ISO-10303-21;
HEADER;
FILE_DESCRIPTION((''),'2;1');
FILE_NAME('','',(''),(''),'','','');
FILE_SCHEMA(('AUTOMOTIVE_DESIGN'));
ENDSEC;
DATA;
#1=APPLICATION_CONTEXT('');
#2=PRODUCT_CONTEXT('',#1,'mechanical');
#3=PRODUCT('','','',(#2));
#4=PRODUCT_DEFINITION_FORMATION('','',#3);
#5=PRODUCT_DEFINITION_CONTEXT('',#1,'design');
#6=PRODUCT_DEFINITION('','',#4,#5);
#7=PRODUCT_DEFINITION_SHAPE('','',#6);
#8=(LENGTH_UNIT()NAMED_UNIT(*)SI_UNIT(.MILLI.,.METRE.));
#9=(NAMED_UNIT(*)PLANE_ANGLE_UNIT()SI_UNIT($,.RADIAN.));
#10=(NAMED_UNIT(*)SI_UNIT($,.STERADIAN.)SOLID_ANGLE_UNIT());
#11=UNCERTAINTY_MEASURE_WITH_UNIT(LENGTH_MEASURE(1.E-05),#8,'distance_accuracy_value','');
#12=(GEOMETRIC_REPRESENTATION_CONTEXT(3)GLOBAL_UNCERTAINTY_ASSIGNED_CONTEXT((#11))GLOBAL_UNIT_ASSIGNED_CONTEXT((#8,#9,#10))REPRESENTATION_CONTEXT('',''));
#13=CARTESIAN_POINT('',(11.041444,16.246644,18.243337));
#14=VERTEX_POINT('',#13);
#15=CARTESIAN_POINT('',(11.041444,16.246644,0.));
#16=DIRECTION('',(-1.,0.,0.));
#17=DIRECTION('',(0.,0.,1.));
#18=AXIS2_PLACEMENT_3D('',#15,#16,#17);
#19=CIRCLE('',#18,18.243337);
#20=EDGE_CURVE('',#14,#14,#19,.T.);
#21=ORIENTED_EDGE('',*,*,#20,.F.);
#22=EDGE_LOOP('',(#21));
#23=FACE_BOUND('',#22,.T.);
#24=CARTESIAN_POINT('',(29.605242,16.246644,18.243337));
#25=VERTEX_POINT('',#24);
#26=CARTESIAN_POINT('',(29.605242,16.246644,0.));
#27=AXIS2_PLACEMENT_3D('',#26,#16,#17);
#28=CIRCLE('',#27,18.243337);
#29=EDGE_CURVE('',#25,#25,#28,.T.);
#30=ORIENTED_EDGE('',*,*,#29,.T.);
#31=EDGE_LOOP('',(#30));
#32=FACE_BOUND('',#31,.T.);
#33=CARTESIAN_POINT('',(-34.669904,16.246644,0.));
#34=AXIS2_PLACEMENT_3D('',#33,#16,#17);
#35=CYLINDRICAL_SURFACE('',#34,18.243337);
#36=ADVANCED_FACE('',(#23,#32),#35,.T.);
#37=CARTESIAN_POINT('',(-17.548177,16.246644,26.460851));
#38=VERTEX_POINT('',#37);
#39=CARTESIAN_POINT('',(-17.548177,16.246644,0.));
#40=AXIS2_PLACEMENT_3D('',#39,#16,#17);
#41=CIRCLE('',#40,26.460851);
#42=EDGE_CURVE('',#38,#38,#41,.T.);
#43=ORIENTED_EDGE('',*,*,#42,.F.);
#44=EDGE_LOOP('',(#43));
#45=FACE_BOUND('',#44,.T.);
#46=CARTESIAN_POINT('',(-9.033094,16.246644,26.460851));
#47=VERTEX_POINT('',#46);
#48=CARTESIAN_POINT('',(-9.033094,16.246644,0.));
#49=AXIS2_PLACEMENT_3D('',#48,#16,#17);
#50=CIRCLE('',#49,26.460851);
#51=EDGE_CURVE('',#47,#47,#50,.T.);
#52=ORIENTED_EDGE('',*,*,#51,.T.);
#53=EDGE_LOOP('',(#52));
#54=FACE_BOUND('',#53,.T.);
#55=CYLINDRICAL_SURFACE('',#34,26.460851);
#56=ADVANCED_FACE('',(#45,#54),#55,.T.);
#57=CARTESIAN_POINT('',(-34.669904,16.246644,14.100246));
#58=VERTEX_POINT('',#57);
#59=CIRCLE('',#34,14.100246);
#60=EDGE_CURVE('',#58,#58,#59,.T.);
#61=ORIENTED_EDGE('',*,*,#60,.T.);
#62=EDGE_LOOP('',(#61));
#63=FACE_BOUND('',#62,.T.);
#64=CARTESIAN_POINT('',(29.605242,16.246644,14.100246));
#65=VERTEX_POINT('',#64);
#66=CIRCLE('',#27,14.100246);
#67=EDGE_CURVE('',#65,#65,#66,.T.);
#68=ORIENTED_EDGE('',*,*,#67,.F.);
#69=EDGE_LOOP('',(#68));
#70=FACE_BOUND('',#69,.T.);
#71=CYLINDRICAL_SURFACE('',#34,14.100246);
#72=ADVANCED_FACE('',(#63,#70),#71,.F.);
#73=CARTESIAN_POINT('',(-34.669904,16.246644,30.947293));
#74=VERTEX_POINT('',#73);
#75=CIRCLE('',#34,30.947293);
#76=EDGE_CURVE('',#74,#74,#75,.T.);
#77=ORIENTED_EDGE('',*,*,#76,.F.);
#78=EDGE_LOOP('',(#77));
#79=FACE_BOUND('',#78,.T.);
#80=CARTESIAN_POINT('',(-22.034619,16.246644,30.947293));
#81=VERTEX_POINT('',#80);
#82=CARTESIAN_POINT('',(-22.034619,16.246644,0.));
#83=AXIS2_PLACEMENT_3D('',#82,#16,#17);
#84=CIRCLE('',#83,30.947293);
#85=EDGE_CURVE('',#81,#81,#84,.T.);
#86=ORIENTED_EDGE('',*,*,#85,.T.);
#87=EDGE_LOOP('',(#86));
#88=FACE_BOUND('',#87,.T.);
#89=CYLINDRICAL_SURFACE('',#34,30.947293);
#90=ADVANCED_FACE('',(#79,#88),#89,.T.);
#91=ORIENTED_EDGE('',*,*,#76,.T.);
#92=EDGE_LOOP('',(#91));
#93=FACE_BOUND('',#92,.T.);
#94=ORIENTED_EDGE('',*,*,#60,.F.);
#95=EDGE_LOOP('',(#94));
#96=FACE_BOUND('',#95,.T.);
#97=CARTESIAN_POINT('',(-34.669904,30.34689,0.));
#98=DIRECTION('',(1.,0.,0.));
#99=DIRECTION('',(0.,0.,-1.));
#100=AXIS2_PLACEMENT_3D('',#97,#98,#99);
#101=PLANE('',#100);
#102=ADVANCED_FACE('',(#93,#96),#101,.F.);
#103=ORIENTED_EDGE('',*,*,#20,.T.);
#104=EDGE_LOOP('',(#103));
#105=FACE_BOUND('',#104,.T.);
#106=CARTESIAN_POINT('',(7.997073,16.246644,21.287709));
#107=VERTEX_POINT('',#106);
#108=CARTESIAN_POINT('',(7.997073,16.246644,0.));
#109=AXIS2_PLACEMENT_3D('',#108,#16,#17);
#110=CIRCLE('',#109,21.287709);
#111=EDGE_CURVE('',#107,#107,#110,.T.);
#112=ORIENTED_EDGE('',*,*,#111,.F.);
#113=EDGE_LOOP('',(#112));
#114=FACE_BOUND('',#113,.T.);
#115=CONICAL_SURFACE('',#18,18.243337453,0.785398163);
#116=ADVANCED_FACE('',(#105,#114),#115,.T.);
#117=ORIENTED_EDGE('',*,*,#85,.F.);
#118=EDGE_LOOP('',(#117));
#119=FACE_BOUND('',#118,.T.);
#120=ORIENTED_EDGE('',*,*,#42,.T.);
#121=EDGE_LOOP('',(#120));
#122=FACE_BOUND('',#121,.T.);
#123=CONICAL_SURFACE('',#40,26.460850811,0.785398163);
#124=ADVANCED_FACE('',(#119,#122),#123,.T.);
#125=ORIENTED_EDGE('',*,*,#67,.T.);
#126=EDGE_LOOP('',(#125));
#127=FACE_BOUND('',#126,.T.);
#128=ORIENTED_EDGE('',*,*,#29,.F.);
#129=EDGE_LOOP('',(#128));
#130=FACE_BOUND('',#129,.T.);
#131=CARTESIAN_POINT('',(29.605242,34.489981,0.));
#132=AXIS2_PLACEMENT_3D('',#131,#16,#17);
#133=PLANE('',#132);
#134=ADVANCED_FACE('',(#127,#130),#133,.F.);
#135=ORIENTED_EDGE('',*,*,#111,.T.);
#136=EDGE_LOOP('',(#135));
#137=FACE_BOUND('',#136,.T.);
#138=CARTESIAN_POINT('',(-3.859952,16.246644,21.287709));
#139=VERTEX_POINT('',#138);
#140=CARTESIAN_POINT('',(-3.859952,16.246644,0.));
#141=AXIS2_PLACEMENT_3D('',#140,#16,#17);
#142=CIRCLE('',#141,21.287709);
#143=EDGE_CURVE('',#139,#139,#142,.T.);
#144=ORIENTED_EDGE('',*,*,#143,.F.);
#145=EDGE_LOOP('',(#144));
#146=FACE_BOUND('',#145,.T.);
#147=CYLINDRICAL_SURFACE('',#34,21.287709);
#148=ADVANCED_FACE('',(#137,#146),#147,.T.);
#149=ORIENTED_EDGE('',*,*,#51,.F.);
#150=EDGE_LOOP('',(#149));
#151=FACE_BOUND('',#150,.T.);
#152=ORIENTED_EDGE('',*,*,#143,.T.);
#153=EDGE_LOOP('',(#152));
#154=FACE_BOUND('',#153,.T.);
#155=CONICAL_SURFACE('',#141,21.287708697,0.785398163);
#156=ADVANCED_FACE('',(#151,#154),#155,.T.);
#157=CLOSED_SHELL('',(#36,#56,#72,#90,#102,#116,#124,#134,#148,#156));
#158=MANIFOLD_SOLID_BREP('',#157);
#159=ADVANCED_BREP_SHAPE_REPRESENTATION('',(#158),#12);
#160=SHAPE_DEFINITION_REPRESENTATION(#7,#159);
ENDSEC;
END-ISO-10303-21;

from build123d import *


with BuildPart() as part:
    # Sketch2 → Revolve2 (revolve)
    with BuildSketch(Plane.XY):
        Polygon((-34.669904202, 30.346889679), (-34.669904202, 47.193936562), (-22.034619039, 47.193936562), (-17.548177206, 42.707494729), (-9.033093728, 42.707494729), (-3.859951614, 37.534352615), (7.99707323, 37.534352615), (11.041444474, 34.489981372), (29.605242058, 34.489981372), (29.605242058, 30.346889679), align=None)
    revolve(axis=Axis((-34.669904202, 16.246643918, 0), (1, 0, 0)))


solid = part.part
